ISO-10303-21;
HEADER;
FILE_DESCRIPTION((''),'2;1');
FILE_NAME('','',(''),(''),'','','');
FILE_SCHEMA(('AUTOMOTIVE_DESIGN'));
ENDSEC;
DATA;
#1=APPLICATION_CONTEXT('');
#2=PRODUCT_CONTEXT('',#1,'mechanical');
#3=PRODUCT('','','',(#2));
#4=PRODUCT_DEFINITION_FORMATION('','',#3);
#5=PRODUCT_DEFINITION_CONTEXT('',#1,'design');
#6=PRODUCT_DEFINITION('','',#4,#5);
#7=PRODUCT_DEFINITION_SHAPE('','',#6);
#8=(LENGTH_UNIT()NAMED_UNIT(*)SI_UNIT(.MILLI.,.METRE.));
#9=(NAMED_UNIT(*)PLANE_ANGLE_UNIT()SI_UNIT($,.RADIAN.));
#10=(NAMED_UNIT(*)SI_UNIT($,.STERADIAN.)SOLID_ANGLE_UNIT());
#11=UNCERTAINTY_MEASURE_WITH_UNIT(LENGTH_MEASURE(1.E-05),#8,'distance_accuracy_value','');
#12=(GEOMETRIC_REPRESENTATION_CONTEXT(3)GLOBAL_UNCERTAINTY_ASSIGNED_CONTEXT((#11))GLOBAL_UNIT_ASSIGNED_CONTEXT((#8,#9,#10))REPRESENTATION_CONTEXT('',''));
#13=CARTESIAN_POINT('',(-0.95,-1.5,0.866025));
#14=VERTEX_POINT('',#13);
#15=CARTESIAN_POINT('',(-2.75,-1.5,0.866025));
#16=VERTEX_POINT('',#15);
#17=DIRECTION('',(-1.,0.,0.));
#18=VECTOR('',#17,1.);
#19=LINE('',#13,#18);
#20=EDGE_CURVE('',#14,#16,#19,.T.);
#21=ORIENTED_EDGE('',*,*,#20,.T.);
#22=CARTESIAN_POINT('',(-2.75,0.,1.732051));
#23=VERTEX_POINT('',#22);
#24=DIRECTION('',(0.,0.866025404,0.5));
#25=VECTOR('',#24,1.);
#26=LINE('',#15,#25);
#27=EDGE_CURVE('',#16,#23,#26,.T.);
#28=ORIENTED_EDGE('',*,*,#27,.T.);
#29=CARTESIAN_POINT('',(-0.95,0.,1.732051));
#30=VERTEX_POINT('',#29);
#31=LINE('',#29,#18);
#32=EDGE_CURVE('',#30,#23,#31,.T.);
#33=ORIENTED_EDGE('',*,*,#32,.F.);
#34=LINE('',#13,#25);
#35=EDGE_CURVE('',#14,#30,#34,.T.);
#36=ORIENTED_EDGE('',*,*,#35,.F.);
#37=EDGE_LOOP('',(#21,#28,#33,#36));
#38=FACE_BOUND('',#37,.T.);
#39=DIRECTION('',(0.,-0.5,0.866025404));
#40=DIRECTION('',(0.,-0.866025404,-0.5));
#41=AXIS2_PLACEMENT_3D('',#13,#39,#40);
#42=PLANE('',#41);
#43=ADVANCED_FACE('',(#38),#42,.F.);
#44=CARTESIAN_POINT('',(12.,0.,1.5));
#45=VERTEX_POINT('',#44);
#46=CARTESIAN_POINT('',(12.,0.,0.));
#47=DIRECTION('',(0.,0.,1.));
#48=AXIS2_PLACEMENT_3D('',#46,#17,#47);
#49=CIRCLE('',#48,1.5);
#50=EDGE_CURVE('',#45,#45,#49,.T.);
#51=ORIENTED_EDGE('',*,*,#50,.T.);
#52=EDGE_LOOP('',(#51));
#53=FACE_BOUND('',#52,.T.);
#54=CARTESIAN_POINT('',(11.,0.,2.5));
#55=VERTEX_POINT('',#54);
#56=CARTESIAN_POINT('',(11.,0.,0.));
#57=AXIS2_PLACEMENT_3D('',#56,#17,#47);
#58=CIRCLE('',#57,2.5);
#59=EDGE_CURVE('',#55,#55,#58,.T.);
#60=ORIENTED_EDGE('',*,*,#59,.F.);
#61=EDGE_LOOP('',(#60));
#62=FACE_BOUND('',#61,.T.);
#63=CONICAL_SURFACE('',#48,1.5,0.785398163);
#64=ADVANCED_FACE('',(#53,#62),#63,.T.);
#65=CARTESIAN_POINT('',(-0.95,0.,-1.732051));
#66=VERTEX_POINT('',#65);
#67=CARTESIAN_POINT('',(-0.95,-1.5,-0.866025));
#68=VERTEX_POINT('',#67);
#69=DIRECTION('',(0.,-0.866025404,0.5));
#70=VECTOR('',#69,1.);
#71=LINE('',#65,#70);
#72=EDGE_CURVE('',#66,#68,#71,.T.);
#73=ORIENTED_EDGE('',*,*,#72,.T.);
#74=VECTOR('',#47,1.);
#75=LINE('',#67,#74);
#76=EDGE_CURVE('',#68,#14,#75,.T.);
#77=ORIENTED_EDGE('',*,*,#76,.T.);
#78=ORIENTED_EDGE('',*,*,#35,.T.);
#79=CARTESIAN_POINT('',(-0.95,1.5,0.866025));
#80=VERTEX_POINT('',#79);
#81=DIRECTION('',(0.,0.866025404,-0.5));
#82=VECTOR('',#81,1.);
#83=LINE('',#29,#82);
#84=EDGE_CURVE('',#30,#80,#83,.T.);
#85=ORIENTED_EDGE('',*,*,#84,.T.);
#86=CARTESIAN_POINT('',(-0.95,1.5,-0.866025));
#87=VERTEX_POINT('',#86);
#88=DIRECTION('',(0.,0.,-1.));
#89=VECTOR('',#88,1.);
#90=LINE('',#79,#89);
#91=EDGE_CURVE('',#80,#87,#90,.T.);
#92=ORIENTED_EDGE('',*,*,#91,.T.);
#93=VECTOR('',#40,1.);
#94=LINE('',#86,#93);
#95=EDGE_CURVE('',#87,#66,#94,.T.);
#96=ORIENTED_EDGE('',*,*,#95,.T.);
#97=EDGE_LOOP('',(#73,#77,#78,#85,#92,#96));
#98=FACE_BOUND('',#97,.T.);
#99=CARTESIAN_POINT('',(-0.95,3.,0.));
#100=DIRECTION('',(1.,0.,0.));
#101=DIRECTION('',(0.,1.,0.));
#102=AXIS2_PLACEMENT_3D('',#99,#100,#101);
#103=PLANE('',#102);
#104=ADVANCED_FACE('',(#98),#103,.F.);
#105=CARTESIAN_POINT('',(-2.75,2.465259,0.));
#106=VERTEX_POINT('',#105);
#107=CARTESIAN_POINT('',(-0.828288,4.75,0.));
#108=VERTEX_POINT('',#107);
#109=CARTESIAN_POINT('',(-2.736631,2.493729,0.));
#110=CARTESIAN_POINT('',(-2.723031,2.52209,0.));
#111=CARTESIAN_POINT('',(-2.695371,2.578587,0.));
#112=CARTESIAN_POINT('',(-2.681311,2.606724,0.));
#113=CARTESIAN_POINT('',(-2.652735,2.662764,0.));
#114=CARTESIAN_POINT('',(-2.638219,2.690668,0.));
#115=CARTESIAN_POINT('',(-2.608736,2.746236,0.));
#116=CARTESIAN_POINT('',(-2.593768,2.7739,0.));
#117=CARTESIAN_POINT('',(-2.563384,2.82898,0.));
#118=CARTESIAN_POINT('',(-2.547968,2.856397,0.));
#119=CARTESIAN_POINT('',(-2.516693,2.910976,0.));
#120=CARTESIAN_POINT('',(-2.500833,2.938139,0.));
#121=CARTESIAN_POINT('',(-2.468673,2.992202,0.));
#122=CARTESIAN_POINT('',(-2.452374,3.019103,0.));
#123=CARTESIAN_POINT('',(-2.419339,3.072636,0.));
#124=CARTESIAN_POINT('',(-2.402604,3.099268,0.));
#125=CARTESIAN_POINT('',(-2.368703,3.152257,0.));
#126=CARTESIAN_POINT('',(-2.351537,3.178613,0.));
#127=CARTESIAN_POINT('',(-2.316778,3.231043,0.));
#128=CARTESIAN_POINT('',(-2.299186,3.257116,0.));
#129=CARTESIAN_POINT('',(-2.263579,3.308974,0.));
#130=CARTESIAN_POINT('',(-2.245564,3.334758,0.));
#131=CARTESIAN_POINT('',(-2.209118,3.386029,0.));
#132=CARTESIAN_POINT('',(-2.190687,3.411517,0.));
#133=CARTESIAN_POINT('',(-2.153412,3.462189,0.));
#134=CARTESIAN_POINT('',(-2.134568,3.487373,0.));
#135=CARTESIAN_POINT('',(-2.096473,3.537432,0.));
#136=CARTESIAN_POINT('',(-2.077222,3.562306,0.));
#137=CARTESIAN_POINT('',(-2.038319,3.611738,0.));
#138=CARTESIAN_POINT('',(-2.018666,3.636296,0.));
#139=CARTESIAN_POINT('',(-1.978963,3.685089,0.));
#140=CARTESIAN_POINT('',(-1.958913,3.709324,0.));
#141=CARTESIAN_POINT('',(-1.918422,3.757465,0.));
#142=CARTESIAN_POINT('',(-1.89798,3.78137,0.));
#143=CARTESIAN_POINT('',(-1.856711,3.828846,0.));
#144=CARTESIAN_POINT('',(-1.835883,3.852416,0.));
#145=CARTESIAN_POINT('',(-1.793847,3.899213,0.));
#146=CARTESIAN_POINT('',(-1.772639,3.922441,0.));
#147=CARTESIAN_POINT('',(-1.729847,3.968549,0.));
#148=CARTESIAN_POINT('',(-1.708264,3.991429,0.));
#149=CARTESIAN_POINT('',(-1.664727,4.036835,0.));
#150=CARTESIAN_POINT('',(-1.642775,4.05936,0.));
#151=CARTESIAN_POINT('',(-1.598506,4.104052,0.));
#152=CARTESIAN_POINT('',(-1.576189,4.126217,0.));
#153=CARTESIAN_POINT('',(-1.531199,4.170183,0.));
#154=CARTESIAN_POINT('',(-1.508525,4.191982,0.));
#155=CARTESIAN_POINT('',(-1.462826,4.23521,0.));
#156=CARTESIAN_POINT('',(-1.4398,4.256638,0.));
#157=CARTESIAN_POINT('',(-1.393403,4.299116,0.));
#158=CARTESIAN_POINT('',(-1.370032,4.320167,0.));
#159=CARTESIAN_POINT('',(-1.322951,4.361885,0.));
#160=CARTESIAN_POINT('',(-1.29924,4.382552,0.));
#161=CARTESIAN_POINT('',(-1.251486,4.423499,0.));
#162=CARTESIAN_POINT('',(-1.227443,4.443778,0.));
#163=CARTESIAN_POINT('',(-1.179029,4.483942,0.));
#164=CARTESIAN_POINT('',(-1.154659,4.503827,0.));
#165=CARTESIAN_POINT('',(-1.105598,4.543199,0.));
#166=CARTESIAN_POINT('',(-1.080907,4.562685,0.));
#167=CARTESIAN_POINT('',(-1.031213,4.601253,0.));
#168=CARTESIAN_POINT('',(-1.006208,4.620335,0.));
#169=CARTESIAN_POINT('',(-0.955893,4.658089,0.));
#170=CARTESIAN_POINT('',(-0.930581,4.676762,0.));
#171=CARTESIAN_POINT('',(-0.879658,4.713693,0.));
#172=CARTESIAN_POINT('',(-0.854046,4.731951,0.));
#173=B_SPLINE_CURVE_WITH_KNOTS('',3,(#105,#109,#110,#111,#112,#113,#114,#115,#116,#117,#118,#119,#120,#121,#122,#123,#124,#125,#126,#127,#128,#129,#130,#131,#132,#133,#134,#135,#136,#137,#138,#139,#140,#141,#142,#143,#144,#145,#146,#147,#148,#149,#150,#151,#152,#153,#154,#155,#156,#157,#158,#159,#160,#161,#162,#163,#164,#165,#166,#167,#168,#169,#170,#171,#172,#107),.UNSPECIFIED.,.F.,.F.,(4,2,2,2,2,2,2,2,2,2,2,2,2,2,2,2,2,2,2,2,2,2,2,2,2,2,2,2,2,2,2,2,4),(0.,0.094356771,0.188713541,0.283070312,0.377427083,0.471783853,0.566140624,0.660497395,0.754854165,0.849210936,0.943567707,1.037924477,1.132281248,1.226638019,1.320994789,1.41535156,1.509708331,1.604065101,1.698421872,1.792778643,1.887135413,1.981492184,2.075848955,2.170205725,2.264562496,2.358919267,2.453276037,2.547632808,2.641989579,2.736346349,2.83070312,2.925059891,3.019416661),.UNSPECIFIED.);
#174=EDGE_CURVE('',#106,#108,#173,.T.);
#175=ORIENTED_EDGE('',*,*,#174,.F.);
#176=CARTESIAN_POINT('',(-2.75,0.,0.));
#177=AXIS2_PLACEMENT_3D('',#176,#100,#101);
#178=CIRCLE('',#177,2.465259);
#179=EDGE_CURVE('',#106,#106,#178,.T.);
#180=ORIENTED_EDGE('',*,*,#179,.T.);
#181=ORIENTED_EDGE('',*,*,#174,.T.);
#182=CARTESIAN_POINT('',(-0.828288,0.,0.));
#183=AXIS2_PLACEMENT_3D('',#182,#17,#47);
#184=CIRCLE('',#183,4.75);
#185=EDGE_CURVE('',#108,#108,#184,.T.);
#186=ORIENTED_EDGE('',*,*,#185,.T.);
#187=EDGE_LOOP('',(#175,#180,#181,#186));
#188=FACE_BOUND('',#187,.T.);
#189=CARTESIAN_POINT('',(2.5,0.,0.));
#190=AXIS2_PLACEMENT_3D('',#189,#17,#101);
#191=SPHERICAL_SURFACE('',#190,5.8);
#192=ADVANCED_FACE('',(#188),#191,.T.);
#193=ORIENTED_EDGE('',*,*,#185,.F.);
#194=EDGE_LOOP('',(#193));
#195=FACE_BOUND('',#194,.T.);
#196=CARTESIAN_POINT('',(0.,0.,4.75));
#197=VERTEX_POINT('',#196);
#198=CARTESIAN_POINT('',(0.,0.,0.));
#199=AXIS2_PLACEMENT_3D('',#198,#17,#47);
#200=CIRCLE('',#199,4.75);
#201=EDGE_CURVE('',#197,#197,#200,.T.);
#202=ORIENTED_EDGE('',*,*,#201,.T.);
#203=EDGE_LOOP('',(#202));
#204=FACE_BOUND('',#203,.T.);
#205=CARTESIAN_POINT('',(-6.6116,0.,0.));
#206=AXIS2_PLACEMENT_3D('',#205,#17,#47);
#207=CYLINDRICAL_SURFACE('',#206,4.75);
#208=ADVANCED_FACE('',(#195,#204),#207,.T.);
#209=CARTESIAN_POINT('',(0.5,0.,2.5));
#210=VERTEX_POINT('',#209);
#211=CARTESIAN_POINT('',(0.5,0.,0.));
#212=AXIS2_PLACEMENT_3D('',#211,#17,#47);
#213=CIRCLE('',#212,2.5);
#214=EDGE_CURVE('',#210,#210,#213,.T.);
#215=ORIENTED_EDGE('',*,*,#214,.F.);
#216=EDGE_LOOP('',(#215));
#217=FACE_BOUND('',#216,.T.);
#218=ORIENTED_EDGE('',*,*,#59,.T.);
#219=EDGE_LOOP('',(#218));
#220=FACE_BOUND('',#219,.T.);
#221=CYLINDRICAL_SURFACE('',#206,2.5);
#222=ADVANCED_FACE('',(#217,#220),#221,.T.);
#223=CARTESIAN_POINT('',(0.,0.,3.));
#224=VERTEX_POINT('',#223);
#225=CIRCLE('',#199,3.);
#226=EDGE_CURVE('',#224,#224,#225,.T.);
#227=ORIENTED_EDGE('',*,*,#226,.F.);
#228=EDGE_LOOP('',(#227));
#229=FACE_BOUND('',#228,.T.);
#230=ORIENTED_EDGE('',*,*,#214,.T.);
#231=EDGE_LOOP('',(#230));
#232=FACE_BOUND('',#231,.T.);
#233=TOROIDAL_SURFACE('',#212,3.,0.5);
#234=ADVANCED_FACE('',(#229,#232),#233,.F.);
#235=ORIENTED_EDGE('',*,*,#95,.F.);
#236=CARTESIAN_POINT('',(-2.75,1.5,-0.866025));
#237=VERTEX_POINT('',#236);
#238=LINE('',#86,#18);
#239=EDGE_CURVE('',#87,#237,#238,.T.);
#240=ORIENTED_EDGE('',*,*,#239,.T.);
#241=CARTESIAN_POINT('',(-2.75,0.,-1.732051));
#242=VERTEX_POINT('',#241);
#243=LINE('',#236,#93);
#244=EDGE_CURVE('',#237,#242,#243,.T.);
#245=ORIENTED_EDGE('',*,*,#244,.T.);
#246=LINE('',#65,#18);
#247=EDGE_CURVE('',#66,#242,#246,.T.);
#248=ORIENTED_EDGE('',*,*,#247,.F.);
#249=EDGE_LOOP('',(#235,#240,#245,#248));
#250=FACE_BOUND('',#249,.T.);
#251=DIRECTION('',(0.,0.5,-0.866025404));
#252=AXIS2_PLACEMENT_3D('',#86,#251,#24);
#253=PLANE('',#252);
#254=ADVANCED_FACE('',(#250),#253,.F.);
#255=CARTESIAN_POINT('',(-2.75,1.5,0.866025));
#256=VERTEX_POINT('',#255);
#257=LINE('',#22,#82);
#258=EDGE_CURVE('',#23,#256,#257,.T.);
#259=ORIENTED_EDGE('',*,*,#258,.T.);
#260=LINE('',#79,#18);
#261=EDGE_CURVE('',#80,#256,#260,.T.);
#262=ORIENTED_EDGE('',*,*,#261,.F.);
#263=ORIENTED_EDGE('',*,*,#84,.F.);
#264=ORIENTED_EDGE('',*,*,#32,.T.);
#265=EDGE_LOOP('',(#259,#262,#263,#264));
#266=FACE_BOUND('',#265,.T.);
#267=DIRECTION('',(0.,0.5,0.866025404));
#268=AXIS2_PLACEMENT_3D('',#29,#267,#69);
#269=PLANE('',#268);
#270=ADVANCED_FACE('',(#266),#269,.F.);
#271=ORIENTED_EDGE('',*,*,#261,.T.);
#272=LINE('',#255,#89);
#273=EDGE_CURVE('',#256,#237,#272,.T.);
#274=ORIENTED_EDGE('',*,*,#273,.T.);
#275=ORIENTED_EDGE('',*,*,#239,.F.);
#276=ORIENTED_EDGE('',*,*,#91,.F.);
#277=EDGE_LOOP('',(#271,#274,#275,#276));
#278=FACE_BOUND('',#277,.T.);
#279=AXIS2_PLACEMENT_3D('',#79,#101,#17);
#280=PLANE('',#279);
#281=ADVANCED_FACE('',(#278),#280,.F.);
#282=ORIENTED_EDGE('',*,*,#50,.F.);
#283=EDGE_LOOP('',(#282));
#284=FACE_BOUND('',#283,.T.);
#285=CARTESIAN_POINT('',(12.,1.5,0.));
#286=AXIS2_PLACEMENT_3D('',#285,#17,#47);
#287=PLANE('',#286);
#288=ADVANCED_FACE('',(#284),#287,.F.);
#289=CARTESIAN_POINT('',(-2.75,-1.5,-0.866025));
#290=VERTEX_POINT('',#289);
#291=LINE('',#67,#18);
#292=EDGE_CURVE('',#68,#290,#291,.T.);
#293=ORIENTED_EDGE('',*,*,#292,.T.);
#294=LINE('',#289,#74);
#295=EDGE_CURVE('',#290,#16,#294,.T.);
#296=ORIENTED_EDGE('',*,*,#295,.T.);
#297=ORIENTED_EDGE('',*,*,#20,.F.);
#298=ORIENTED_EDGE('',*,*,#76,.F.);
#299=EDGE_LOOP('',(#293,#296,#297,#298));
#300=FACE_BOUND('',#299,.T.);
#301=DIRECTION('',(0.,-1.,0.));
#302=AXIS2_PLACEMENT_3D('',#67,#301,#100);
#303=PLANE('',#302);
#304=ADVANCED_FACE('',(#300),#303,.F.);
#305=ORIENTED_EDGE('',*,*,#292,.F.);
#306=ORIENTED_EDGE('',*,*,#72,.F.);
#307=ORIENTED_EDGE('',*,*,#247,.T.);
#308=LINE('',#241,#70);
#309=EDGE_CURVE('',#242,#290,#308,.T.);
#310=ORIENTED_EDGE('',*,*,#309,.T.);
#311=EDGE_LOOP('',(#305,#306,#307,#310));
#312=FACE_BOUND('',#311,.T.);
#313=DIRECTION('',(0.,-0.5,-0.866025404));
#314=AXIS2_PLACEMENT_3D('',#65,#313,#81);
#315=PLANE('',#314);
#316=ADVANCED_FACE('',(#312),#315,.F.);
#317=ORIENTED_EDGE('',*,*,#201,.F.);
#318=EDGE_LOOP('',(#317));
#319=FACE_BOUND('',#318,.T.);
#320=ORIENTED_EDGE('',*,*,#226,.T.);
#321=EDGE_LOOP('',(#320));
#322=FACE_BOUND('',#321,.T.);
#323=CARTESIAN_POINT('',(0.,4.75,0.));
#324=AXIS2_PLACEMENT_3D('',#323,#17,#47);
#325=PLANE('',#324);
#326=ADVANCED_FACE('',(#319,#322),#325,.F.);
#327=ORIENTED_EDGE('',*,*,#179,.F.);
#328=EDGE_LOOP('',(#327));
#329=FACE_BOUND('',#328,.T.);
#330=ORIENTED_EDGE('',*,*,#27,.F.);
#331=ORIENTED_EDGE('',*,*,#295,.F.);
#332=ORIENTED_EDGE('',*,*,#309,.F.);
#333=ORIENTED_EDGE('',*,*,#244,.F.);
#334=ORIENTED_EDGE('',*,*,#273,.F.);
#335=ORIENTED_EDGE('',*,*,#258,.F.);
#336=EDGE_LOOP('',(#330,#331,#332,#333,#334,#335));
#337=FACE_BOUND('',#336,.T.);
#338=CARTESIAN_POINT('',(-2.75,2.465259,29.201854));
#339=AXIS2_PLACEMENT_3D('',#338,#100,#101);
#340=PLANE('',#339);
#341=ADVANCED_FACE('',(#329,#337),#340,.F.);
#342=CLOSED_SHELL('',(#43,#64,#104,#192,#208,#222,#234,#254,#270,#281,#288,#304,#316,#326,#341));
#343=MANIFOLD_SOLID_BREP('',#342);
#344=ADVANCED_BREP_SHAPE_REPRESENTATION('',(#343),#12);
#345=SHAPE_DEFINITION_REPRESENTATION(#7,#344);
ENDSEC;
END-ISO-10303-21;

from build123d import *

# Parameters (mm, degrees)
CUT_EXTRUDE_1_DEPTH      = 14.752272539
CUT_EXTRUDE_1_DEPTH_BACK = 14.752272539
CUT_EXTRUDE_2_DEPTH      = 1.8


with BuildPart() as part:
    # Эскиз1 → Revolve 663 (revolve)
    with BuildSketch(Plane.XY, mode=Mode.PRIVATE) as revolve_663_sk:
        with BuildLine():
            Line((0, 4.75), (0, 3))
            ThreePointArc((0, 3), (0.146446609, 2.646446609), (0.5, 2.5))
            Line((0.5, 2.5), (11, 2.5))
            Line((11, 2.5), (12, 1.5))
            Line((12, 1.5), (12, 0))
            Line((12, 0), (-3.3, 0))
            ThreePointArc((-3.3, 0), (-2.645098129, 2.677305593), (-0.828287848, 4.75))
            Line((-0.828287848, 4.75), (0, 4.75))
        make_face()
    revolve(revolve_663_sk.sketch.rotate(Axis((-6.611599553, 0, 0), (1, 0, 0)), 90), axis=Axis((-6.611599553, 0, 0), (1, 0, 0)))

    # Эскиз2 → Вырез-Вытянуть1 (cut, two sides: drawn at the far end of the back side and taken through both)
    with BuildSketch(Plane.XY.offset(-CUT_EXTRUDE_1_DEPTH_BACK)):
        Polygon((-2.75, 45.30562747), (-2.75, 2.465258607), (-2.75, -2.465258607), (-2.75, -45.30562747), (-88.430737726, -45.30562747), (-88.430737726, 45.30562747), align=None)
    extrude(amount=CUT_EXTRUDE_1_DEPTH + CUT_EXTRUDE_1_DEPTH_BACK, mode=Mode.SUBTRACT)

    # Эскиз3 → Вырез-Вытянуть2 (cut)
    with BuildSketch(Plane.ZY.offset(2.75)):
        Polygon((-1.732050808, 0), (-0.866025404, -1.5), (0.866025404, -1.5), (1.732050808, 0), (0.866025404, 1.5), (-0.866025404, 1.5), align=None)
    extrude(amount=-CUT_EXTRUDE_2_DEPTH, mode=Mode.SUBTRACT)


solid = part.part
